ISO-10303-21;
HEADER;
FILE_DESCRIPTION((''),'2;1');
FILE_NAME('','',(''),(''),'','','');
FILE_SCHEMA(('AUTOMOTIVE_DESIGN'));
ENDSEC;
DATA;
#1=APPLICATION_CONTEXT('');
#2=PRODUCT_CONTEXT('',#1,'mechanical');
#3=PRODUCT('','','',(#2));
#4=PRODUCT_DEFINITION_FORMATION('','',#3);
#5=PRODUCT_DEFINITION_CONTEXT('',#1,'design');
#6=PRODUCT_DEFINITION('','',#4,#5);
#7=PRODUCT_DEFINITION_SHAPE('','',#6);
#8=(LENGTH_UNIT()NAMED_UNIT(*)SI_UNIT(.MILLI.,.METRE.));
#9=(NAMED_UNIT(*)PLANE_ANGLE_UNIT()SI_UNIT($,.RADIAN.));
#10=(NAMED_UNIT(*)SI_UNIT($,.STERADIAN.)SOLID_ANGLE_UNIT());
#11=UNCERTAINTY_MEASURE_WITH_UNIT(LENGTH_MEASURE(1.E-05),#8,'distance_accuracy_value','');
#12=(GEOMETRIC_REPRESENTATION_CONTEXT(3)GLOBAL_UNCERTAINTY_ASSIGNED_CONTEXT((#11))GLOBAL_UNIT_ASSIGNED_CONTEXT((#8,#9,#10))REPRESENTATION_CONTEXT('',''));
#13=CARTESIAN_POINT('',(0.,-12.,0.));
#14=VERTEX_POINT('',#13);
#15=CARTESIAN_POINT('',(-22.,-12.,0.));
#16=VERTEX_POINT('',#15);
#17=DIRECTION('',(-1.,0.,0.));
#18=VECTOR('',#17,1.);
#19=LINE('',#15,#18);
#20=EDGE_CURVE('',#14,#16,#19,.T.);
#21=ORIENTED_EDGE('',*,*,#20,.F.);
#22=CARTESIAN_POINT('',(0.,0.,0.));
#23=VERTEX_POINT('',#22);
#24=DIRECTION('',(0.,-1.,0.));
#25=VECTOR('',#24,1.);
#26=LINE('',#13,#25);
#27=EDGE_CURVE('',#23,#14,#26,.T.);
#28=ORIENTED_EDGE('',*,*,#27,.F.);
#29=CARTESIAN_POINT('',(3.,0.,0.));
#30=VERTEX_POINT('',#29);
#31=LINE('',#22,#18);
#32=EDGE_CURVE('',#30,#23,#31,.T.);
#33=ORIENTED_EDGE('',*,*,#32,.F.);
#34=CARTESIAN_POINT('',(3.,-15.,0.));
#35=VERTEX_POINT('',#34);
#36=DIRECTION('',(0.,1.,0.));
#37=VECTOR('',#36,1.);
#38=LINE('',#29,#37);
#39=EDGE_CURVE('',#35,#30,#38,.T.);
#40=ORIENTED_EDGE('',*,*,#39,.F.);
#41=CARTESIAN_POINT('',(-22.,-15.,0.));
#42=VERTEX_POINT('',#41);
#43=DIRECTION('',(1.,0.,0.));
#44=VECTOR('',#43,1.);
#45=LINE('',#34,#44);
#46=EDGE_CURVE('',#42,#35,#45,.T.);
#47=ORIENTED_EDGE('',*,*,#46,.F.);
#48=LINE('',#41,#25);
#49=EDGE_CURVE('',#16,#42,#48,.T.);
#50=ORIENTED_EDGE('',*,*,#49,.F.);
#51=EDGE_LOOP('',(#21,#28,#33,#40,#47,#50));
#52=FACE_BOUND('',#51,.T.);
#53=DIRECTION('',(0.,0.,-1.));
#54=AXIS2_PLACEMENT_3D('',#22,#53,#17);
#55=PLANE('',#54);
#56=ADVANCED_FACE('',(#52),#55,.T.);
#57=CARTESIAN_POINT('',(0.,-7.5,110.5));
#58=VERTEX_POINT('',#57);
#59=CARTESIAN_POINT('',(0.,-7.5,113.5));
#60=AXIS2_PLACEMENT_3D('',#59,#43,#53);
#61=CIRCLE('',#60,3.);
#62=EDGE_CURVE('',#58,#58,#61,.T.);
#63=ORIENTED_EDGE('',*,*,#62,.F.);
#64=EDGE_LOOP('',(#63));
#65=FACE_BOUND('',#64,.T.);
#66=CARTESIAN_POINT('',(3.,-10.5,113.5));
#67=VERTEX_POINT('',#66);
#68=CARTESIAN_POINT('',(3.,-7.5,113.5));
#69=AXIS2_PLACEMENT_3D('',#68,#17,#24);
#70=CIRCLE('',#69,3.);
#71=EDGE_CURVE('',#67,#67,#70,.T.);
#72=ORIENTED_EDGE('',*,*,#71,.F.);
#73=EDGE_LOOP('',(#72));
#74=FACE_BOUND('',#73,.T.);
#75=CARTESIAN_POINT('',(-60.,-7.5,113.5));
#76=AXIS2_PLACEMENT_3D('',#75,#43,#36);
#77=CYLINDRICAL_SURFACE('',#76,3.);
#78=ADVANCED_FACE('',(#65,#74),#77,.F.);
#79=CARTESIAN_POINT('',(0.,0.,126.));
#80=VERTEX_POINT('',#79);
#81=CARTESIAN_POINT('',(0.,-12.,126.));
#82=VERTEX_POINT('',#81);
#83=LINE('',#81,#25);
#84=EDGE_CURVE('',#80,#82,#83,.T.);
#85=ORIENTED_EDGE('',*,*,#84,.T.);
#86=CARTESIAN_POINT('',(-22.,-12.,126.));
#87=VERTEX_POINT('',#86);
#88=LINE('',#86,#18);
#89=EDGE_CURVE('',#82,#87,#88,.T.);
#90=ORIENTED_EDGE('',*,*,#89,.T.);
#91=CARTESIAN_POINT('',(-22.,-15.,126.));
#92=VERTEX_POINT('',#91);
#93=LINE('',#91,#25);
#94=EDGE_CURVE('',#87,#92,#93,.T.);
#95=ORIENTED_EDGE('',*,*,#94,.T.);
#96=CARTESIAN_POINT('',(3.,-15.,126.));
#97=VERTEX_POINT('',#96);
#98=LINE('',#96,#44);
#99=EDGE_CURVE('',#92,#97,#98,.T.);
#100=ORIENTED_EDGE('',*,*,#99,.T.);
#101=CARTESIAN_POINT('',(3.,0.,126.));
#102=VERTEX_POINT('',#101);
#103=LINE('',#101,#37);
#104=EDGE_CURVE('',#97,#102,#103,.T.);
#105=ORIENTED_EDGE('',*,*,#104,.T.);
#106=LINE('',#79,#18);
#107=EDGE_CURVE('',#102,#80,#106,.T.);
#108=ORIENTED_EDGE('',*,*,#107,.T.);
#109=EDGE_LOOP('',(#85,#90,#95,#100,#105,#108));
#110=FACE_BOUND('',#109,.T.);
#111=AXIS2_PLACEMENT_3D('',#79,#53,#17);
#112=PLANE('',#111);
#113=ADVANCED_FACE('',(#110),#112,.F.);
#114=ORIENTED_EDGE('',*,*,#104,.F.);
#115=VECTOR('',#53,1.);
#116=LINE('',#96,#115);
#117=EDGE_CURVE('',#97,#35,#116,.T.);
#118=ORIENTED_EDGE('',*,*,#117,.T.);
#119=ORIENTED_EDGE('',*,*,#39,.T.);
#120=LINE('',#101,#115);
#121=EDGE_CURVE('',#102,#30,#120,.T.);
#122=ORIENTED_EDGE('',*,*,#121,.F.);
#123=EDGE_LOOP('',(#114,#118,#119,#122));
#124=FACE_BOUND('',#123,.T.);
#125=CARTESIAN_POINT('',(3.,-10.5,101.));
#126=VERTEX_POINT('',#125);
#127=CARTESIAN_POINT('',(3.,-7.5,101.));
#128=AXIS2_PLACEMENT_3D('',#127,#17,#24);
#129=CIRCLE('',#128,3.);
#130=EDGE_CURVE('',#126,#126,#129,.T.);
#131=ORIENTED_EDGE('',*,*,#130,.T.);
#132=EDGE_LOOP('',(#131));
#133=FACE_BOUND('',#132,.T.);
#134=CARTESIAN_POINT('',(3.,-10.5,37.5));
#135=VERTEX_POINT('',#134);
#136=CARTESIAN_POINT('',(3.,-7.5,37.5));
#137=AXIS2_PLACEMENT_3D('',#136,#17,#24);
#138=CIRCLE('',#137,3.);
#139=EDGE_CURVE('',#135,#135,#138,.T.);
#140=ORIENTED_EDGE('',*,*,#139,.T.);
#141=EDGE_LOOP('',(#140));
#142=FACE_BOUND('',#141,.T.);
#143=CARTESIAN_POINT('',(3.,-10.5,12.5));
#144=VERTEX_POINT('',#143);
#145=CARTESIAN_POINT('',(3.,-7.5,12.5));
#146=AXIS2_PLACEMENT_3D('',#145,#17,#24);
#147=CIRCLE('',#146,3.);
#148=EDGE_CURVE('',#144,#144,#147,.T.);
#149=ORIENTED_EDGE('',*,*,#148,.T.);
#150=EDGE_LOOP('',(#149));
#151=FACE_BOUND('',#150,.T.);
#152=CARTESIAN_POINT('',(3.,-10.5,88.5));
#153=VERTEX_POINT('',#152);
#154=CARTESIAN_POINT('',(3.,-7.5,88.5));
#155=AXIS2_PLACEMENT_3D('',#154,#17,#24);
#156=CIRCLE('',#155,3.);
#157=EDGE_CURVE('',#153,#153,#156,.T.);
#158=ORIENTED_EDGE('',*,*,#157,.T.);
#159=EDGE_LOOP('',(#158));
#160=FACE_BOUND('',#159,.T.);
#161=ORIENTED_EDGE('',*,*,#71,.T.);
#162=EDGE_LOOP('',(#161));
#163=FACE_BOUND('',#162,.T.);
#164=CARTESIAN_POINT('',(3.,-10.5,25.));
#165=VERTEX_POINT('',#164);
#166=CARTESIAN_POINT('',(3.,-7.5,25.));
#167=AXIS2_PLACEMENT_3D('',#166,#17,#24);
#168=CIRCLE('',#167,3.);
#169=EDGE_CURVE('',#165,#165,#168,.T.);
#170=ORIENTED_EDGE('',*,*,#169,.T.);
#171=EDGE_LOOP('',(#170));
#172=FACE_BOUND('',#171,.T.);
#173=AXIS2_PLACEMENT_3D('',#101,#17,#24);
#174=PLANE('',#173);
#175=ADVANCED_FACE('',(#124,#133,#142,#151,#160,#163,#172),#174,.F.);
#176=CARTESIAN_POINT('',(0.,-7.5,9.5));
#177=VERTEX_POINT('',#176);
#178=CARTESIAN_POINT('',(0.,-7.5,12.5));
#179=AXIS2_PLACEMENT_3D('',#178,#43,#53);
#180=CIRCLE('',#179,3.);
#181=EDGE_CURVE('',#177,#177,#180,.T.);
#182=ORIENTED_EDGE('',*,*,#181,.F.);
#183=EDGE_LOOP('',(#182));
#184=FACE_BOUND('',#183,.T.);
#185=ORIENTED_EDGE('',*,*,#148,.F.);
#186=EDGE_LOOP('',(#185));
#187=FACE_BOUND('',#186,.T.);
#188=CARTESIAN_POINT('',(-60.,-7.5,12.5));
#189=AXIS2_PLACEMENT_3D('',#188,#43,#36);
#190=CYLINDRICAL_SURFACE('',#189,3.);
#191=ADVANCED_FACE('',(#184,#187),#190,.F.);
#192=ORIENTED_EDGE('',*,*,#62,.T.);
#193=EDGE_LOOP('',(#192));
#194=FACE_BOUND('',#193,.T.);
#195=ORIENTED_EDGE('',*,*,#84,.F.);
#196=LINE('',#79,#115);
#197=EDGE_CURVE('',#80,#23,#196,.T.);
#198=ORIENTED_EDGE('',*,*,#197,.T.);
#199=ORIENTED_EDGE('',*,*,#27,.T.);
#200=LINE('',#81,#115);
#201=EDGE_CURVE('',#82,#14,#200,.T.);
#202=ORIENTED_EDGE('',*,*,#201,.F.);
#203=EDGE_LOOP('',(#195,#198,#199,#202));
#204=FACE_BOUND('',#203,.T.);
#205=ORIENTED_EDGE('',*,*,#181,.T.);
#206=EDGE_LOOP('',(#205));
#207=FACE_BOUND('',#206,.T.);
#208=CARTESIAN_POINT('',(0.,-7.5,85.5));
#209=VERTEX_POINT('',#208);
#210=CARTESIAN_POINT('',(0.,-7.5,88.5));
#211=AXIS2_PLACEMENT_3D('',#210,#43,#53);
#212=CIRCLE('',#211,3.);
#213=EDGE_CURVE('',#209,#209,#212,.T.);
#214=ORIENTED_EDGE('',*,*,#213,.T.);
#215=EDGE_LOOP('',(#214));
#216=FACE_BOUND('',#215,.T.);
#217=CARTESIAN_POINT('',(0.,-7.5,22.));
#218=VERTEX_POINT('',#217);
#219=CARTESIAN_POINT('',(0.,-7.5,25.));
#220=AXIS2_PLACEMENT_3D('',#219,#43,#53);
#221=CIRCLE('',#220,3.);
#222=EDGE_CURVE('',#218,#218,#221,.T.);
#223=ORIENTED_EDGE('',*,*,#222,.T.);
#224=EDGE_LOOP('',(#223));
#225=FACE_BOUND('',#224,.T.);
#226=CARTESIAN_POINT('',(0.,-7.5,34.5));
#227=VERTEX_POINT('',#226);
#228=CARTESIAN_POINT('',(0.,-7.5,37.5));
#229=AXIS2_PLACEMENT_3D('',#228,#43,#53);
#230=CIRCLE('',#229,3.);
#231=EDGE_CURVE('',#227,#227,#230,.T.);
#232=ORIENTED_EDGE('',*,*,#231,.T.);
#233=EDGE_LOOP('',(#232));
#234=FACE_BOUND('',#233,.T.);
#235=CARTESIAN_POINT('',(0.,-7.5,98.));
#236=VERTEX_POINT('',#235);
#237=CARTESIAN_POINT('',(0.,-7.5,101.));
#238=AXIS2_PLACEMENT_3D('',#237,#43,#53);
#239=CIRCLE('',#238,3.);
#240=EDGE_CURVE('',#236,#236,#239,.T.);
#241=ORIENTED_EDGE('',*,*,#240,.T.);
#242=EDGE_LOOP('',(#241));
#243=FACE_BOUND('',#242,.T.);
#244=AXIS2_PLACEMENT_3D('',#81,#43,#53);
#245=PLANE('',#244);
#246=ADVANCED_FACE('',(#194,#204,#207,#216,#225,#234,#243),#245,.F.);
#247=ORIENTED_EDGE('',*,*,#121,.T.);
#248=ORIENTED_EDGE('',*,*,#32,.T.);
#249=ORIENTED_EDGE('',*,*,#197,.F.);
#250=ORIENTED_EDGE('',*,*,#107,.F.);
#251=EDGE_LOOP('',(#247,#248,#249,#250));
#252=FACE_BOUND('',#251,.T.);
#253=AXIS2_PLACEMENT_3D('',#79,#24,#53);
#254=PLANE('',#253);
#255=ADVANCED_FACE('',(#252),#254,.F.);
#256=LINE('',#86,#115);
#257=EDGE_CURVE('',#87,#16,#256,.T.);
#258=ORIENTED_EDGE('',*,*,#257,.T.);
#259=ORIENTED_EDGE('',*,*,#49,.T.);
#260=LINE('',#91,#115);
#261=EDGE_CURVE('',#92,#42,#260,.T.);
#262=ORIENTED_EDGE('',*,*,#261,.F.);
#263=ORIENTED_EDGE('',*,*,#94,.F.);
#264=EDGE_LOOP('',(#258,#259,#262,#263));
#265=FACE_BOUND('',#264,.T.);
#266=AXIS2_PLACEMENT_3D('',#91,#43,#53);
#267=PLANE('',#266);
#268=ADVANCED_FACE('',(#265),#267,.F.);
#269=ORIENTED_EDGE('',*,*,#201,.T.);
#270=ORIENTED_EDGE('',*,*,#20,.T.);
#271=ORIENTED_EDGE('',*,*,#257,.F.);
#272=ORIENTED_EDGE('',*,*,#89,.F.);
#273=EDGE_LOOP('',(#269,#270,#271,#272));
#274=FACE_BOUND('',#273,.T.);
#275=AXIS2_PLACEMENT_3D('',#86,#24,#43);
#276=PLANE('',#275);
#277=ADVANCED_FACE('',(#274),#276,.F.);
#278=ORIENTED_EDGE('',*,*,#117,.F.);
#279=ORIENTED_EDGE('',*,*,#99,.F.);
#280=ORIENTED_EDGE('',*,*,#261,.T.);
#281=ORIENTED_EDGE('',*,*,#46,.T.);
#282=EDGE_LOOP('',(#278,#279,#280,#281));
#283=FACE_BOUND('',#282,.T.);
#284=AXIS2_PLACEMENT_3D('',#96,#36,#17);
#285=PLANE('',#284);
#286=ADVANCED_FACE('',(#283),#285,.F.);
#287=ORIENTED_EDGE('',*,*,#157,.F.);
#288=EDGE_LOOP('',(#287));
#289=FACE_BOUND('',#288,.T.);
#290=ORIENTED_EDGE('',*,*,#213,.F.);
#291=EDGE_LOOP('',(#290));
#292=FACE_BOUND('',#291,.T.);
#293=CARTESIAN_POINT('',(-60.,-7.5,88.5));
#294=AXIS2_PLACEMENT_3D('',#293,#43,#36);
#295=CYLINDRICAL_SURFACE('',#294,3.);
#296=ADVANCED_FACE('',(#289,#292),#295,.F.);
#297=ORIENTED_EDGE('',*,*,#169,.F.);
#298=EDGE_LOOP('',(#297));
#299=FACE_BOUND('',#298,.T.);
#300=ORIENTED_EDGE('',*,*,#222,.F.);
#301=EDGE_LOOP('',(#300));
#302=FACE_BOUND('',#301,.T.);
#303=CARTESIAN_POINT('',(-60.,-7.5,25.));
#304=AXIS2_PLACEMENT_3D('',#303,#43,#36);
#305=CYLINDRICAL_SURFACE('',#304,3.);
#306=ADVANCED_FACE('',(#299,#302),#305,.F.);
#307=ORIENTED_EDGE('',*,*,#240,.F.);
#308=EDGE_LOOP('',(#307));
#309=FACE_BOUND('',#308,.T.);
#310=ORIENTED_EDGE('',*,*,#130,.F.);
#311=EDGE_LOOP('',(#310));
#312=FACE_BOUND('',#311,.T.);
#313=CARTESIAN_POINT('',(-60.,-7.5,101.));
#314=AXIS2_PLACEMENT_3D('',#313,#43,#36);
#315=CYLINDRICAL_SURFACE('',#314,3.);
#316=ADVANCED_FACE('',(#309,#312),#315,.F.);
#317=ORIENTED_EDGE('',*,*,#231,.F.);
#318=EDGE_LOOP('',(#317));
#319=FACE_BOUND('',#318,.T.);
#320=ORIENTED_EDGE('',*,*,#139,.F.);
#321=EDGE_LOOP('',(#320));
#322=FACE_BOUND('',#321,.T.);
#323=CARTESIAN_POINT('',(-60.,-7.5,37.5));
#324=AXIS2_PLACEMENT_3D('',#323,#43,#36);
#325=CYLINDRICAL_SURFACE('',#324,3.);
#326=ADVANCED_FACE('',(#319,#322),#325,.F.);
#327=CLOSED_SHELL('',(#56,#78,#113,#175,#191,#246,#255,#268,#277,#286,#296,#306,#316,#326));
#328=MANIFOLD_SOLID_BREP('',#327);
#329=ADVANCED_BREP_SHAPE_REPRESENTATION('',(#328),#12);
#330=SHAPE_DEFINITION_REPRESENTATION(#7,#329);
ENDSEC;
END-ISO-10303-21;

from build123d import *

# Parameters (mm, degrees)
SALIENTE_EXTRUIR1_DEPTH = 126
CROQUIS2_R              = 3
CORTAR_EXTRUIR3_DEPTH   = 63


with BuildPart() as part:
    # Croquis1 → Saliente-Extruir1 (new body)
    with BuildSketch(Plane.XY):
        Polygon((0, 0), (3, 0), (3, -15), (-22, -15), (-22, -12), (0, -12), align=None)
    extrude(amount=SALIENTE_EXTRUIR1_DEPTH)

    # Croquis2 → Cortar-Extruir3 (cut, symmetric)
    with BuildSketch(Plane(origin=(3, 0, 0), x_dir=(0, 0, -1), z_dir=(1, 0, 0))):
        with Locations((-113.5, -7.5)):
            Circle(CROQUIS2_R)
        with Locations((-101, -7.5)):
            Circle(CROQUIS2_R)
        with Locations((-88.5, -7.5)):
            Circle(CROQUIS2_R)
        with Locations((-12.5, -7.5)):
            Circle(CROQUIS2_R)
        with Locations((-25, -7.5)):
            Circle(CROQUIS2_R)
        with Locations((-37.5, -7.5)):
            Circle(CROQUIS2_R)
    extrude(amount=CORTAR_EXTRUIR3_DEPTH, both=True, mode=Mode.SUBTRACT)


solid = part.part
